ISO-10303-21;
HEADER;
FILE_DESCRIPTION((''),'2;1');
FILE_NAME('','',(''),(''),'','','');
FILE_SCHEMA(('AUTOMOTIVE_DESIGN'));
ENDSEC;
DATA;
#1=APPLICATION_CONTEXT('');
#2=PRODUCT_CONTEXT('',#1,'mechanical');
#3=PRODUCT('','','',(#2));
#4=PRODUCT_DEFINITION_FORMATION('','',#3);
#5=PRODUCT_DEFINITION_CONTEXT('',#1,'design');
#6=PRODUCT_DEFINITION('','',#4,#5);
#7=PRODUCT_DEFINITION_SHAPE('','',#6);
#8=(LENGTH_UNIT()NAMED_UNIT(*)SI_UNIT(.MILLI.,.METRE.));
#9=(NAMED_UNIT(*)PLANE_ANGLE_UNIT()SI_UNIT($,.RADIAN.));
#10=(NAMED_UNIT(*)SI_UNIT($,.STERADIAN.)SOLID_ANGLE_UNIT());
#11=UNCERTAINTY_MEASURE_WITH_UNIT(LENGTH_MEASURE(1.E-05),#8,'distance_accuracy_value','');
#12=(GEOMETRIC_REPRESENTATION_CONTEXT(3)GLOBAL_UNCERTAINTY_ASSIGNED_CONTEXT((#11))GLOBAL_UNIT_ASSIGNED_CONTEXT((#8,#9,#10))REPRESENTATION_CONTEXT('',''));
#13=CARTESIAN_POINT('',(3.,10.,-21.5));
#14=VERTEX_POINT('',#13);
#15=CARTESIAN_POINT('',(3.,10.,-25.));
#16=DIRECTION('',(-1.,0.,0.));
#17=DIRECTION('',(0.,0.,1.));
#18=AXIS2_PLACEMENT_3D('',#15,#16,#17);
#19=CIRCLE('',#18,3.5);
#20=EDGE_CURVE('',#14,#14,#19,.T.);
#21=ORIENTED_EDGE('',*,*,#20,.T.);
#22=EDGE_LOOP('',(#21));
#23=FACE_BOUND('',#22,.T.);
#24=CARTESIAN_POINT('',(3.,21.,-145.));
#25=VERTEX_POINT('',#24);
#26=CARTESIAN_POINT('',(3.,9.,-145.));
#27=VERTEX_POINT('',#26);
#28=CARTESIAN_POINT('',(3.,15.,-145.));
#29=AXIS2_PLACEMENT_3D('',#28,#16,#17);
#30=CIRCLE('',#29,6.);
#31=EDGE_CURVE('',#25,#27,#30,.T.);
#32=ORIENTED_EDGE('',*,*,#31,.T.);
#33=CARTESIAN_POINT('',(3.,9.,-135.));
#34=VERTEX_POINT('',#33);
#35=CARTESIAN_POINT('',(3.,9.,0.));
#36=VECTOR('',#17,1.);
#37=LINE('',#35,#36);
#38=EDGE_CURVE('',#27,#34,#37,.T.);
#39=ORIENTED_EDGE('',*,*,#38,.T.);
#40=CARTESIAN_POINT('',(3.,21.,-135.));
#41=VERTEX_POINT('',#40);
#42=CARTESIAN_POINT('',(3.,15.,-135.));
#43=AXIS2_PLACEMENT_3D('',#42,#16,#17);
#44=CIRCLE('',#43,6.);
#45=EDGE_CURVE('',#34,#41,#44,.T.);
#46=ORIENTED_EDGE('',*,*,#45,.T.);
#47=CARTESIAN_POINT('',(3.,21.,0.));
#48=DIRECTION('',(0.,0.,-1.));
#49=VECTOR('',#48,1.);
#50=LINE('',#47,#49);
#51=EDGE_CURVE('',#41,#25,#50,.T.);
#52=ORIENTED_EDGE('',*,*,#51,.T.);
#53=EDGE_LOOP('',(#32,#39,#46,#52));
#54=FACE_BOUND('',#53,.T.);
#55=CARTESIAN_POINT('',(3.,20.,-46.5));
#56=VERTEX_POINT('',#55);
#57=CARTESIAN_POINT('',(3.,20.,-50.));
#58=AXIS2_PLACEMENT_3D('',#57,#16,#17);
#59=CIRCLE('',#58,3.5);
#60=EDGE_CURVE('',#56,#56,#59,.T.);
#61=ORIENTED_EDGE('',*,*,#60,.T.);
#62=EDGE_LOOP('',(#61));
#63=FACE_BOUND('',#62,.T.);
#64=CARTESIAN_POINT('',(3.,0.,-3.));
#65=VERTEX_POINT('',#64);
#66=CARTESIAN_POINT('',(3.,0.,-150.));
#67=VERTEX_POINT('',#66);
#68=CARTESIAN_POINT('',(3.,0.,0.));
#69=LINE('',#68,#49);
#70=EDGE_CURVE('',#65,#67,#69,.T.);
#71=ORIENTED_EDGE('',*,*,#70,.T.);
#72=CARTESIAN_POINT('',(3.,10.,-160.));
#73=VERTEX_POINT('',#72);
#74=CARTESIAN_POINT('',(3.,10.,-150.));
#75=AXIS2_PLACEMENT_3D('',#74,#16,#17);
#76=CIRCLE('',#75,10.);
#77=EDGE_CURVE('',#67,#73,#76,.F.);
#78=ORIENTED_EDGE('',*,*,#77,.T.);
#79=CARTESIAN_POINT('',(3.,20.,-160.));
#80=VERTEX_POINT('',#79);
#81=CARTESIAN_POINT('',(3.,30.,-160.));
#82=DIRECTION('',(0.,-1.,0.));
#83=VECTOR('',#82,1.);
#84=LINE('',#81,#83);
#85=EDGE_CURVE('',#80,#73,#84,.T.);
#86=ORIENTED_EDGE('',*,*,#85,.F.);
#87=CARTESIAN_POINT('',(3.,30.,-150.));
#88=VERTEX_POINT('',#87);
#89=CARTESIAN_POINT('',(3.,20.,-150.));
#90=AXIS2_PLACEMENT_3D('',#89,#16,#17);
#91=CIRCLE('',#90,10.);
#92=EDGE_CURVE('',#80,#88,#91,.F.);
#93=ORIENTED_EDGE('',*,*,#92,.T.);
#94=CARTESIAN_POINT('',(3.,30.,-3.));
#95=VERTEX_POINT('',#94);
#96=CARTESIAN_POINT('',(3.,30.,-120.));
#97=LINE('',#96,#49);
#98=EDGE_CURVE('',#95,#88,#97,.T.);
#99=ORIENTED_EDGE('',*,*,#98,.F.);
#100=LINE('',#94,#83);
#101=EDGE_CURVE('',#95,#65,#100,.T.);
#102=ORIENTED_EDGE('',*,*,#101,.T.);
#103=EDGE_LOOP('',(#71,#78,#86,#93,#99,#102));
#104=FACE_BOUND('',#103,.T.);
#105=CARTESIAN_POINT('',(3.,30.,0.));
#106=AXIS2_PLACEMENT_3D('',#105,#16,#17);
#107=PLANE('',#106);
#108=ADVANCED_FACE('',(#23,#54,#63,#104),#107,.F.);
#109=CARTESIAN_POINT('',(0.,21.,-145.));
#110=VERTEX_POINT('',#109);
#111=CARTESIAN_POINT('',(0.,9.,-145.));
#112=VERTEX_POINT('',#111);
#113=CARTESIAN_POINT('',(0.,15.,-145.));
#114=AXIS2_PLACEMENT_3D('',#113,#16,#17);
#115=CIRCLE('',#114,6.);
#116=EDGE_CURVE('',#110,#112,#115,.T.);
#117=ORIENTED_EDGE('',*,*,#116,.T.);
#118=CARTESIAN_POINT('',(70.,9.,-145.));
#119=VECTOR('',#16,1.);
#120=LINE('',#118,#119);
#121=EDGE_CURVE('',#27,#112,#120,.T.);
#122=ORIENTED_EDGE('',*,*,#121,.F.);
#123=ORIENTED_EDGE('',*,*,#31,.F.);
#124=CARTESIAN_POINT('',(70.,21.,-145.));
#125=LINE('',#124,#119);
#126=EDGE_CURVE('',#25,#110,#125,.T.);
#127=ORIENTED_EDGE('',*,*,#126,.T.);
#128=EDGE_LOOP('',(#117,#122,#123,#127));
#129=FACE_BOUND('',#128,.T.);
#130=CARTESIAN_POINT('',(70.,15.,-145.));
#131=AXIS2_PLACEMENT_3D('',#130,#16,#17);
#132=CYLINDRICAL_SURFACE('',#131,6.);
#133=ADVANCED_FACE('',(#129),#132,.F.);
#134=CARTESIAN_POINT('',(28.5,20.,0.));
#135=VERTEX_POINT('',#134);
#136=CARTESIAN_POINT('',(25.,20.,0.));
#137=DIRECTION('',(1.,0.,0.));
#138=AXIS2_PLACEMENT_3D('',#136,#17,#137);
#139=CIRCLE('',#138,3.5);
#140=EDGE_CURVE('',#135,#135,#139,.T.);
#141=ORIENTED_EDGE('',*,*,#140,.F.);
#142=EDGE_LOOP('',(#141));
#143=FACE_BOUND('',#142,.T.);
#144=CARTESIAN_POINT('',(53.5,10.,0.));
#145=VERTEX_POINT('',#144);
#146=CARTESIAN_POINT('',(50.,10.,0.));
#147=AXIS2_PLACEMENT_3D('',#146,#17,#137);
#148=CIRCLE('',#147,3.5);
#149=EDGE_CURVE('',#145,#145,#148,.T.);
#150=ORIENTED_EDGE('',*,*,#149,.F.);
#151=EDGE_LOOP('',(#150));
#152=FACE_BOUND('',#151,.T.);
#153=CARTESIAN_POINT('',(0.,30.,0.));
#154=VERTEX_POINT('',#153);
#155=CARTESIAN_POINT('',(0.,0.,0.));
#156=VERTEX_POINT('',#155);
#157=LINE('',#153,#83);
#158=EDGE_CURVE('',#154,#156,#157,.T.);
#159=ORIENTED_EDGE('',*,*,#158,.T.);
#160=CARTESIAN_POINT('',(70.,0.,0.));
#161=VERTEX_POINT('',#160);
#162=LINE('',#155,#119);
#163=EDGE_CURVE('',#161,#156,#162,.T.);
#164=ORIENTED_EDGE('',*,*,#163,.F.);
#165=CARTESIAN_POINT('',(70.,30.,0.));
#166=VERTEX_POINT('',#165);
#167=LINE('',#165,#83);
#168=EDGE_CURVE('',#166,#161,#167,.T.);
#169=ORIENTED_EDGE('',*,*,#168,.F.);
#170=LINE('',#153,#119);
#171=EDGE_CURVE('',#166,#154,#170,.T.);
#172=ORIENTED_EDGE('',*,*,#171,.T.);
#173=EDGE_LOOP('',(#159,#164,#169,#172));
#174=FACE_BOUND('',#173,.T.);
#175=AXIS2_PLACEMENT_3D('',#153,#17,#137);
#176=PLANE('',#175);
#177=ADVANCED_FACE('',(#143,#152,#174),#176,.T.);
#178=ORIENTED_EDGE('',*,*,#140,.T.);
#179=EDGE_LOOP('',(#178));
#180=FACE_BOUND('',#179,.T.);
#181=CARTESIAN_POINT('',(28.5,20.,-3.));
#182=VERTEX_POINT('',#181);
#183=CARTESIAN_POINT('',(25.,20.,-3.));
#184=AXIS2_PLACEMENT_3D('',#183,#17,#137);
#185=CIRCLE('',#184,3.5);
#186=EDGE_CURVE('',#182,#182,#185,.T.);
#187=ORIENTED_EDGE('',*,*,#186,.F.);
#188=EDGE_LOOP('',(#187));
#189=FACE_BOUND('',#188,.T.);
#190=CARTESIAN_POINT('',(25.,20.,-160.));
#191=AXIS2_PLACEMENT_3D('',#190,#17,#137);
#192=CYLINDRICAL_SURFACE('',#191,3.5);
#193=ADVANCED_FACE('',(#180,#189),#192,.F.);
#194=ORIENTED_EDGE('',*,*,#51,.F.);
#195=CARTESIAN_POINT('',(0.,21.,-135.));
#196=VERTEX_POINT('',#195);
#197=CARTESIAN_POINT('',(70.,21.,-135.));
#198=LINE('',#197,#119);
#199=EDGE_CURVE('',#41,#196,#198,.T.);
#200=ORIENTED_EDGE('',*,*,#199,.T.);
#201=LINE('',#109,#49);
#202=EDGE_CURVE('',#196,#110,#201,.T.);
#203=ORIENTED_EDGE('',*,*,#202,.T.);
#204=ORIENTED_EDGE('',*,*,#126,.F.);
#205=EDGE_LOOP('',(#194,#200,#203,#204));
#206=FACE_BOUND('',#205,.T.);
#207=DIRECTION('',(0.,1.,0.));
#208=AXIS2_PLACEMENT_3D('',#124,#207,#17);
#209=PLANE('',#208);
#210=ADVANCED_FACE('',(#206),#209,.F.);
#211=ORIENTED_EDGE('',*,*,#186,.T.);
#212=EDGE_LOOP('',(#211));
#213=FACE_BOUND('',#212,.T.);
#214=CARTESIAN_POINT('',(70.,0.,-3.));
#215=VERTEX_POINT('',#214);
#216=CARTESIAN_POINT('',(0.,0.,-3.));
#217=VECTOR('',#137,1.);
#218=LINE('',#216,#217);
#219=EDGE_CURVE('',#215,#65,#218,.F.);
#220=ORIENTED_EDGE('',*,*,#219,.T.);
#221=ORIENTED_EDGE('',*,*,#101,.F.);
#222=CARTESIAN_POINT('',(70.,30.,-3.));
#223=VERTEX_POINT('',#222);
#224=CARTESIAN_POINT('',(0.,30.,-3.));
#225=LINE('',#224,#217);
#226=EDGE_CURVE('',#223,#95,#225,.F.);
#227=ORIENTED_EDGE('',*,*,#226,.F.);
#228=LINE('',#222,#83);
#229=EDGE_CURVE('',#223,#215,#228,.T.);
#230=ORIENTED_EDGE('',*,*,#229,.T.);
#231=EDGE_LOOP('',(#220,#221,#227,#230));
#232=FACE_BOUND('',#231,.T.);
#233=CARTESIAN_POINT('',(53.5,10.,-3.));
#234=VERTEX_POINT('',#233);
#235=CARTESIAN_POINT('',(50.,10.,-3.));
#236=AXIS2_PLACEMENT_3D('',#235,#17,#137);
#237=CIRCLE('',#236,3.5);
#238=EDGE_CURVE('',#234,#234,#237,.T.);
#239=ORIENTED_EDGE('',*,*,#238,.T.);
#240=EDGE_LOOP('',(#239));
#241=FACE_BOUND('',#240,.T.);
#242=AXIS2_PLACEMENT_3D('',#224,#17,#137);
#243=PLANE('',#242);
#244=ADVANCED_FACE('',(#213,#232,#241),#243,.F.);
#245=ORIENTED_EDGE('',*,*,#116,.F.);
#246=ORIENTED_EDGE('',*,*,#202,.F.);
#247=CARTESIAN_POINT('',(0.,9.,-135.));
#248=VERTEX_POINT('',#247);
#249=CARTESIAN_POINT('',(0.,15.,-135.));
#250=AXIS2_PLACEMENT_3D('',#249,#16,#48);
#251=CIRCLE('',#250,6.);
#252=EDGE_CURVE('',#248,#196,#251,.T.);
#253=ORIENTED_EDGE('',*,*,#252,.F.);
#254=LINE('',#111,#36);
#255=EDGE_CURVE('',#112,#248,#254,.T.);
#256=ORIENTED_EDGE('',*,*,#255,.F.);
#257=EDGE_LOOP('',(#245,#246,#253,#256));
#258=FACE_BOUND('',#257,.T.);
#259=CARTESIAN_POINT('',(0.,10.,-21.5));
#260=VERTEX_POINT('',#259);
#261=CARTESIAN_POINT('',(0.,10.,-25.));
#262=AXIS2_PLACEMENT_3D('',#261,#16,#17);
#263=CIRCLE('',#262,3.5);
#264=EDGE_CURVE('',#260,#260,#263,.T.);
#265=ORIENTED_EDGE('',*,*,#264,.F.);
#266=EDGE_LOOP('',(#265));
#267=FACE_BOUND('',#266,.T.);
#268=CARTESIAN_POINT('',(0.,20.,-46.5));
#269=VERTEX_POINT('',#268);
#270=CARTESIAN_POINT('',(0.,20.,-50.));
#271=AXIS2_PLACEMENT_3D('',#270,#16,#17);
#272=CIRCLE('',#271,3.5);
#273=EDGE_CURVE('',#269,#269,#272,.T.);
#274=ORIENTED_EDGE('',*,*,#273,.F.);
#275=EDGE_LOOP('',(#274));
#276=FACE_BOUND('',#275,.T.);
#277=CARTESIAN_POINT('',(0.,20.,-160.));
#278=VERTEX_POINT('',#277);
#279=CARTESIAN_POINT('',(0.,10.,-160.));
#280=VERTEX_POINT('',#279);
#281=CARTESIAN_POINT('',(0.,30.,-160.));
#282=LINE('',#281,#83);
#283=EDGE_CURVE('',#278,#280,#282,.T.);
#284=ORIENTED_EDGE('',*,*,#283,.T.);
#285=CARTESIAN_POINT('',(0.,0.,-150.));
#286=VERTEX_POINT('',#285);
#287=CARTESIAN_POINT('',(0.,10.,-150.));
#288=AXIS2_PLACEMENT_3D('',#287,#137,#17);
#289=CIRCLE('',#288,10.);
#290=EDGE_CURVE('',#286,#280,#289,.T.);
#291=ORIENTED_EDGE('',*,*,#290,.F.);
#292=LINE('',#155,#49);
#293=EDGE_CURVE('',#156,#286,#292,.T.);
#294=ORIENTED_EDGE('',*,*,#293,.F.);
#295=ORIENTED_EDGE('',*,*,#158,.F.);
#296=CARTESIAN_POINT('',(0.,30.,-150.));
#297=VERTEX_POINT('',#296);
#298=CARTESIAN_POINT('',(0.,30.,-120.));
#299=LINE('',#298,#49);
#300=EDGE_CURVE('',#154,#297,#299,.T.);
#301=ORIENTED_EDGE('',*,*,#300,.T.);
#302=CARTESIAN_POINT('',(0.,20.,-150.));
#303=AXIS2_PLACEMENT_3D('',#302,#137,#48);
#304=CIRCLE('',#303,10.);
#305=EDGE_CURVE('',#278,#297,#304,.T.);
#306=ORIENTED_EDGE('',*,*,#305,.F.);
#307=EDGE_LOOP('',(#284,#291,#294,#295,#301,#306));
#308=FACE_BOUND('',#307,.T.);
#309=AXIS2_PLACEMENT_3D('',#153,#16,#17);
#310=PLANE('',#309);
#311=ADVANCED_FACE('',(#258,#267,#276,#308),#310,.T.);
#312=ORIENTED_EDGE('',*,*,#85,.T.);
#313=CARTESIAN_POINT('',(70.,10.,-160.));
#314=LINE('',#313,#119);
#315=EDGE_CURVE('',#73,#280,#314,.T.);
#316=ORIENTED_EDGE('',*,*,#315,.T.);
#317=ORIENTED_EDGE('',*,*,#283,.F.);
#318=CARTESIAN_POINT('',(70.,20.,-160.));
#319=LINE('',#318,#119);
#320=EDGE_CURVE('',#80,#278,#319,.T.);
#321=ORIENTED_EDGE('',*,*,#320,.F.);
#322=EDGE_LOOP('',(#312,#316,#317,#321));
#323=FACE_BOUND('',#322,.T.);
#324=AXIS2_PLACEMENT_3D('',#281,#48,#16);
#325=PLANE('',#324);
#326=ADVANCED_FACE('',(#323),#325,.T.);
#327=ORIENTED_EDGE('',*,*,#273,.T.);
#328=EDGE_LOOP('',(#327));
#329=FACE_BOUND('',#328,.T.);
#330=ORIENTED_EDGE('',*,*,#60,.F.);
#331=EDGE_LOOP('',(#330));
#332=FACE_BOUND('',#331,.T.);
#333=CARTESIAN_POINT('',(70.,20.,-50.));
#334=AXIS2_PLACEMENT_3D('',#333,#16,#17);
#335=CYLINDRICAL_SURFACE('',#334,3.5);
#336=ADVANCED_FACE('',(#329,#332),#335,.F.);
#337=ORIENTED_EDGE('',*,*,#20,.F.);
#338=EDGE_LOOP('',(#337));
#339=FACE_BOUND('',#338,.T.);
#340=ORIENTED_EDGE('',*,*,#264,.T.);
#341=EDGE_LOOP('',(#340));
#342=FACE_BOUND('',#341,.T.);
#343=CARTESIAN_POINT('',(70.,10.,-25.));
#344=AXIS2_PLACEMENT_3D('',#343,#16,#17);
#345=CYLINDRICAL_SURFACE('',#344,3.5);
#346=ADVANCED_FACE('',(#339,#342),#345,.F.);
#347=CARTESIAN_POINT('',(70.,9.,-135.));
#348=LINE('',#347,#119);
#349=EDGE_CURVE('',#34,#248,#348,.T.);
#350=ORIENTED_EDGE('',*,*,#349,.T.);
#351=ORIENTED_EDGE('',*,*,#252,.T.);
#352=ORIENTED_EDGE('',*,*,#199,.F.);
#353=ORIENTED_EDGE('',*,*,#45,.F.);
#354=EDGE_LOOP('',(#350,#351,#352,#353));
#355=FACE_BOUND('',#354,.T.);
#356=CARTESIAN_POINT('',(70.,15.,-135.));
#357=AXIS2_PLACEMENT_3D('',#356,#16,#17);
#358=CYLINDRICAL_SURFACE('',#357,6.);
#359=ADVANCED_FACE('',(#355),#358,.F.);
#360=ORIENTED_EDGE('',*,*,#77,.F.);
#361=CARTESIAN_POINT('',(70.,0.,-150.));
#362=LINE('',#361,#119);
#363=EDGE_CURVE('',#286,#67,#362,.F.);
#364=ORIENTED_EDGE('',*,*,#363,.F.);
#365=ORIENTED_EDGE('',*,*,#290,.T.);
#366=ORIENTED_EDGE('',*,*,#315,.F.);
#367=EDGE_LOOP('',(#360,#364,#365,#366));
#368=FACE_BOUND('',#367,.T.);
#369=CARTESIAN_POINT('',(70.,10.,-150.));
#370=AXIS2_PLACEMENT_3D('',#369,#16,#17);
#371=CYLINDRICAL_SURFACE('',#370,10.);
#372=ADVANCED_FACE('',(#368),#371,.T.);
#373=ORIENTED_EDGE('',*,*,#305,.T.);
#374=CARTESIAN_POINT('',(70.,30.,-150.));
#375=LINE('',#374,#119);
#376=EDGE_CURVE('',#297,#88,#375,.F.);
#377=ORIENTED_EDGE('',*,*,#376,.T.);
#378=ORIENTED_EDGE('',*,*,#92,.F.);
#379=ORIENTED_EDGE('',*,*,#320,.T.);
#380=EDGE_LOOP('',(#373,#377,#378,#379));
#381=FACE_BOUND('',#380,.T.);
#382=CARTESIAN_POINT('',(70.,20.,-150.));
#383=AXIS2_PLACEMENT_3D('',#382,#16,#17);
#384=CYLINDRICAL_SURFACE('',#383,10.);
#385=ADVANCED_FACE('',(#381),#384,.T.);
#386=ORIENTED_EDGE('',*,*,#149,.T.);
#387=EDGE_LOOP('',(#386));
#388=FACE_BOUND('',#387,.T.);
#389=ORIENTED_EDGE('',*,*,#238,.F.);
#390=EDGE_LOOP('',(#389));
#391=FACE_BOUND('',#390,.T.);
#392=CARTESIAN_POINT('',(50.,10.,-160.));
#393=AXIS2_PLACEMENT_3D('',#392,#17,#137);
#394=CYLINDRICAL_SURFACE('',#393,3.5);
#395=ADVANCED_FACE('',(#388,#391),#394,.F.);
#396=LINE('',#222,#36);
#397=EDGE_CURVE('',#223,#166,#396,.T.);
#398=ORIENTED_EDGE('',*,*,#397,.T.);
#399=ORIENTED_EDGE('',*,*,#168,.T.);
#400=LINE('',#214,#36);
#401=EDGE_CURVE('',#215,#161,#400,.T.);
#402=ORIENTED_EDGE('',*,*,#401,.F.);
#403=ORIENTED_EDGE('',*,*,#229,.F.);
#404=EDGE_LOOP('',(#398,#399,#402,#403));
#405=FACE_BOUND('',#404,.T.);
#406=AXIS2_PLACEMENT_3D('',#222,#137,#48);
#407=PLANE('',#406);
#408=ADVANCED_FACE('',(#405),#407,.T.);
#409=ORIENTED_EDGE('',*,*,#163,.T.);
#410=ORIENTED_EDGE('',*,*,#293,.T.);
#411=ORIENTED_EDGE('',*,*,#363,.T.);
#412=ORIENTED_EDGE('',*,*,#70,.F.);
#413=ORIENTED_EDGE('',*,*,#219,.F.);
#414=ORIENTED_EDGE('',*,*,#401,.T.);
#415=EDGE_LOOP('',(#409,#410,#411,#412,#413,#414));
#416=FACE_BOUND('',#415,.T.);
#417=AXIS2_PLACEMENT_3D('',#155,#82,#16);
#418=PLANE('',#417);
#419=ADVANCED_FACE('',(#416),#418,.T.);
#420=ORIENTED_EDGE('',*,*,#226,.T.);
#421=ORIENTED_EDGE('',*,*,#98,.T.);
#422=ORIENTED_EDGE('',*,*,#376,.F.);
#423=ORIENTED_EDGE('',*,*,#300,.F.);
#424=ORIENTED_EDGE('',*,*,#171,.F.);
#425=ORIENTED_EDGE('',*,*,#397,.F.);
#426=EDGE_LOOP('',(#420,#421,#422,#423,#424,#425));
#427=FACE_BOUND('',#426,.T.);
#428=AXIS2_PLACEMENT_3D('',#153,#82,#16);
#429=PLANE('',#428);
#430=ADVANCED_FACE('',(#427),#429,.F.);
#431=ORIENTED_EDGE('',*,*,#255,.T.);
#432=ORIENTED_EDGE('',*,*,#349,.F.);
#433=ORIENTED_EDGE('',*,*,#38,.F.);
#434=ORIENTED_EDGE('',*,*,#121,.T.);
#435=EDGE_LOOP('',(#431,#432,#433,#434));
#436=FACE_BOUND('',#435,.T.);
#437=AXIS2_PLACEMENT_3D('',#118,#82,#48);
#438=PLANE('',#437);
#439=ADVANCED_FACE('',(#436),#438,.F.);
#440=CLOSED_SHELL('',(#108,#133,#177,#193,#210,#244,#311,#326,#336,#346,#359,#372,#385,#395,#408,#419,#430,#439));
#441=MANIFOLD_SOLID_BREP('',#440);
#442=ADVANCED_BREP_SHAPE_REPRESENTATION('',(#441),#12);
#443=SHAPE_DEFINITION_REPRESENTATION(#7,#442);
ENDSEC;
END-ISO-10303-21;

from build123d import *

# Parameters (mm, degrees)
EXTRUDE_1_DEPTH     = 30
SKETCH_2_R          = 3.5
CUT_EXTRUDE_1_DEPTH = 71
SKETCH_3_R          = 3.5
CUT_EXTRUDE_2_DEPTH = 161
CUT_EXTRUDE_3_DEPTH = 71


with BuildPart() as part:
    # Эскиз1 → Вытянуть-Тонкостенный1 (new body)
    with BuildSketch(Plane(origin=(0, 0, 0), x_dir=(1, 0, 0), z_dir=(0, 1, 0))):
        Polygon((0, 160), (0, 120), (0, 0), (70, 0), (70, 3), (3, 3), (3, 120), (3, 160), align=None)
    extrude(amount=EXTRUDE_1_DEPTH)

    # Эскиз2 → Вырез-Вытянуть1 (cut, through all)
    with BuildSketch(Plane.ZY):
        with Locations((-50, 20)):
            Circle(SKETCH_2_R)
        with Locations((-25, 10)):
            Circle(SKETCH_2_R)
    extrude(amount=-CUT_EXTRUDE_1_DEPTH, mode=Mode.SUBTRACT)

    # Эскиз3 → Вырез-Вытянуть2 (cut, through all)
    with BuildSketch(Plane.XY):
        with Locations((25, 20)):
            Circle(SKETCH_3_R)
        with Locations((50, 10)):
            Circle(SKETCH_3_R)
    extrude(amount=-CUT_EXTRUDE_2_DEPTH, mode=Mode.SUBTRACT)

    # Эскиз4 → Вырез-Вытянуть3 (cut, through all)
    with BuildSketch(Plane.ZY):
        with BuildLine():
            Line((-145, 21), (-135, 21))
            ThreePointArc((-135, 21), (-129, 15), (-135, 9))
            Line((-135, 9), (-145, 9))
            ThreePointArc((-145, 9), (-151, 15), (-145, 21))
        make_face()
        with BuildLine():
            Line((-160, 20), (-160, 30))
            Line((-160, 30), (-150, 30))
            ThreePointArc((-150, 30), (-157.071067812, 27.071067812), (-160, 20))
        make_face()
        with BuildLine():
            Line((-160, 10), (-160, 0))
            Line((-160, 0), (-150, 0))
            ThreePointArc((-150, 0), (-157.071067812, 2.928932188), (-160, 10))
        make_face()
    extrude(amount=-CUT_EXTRUDE_3_DEPTH, mode=Mode.SUBTRACT)


solid = part.part
